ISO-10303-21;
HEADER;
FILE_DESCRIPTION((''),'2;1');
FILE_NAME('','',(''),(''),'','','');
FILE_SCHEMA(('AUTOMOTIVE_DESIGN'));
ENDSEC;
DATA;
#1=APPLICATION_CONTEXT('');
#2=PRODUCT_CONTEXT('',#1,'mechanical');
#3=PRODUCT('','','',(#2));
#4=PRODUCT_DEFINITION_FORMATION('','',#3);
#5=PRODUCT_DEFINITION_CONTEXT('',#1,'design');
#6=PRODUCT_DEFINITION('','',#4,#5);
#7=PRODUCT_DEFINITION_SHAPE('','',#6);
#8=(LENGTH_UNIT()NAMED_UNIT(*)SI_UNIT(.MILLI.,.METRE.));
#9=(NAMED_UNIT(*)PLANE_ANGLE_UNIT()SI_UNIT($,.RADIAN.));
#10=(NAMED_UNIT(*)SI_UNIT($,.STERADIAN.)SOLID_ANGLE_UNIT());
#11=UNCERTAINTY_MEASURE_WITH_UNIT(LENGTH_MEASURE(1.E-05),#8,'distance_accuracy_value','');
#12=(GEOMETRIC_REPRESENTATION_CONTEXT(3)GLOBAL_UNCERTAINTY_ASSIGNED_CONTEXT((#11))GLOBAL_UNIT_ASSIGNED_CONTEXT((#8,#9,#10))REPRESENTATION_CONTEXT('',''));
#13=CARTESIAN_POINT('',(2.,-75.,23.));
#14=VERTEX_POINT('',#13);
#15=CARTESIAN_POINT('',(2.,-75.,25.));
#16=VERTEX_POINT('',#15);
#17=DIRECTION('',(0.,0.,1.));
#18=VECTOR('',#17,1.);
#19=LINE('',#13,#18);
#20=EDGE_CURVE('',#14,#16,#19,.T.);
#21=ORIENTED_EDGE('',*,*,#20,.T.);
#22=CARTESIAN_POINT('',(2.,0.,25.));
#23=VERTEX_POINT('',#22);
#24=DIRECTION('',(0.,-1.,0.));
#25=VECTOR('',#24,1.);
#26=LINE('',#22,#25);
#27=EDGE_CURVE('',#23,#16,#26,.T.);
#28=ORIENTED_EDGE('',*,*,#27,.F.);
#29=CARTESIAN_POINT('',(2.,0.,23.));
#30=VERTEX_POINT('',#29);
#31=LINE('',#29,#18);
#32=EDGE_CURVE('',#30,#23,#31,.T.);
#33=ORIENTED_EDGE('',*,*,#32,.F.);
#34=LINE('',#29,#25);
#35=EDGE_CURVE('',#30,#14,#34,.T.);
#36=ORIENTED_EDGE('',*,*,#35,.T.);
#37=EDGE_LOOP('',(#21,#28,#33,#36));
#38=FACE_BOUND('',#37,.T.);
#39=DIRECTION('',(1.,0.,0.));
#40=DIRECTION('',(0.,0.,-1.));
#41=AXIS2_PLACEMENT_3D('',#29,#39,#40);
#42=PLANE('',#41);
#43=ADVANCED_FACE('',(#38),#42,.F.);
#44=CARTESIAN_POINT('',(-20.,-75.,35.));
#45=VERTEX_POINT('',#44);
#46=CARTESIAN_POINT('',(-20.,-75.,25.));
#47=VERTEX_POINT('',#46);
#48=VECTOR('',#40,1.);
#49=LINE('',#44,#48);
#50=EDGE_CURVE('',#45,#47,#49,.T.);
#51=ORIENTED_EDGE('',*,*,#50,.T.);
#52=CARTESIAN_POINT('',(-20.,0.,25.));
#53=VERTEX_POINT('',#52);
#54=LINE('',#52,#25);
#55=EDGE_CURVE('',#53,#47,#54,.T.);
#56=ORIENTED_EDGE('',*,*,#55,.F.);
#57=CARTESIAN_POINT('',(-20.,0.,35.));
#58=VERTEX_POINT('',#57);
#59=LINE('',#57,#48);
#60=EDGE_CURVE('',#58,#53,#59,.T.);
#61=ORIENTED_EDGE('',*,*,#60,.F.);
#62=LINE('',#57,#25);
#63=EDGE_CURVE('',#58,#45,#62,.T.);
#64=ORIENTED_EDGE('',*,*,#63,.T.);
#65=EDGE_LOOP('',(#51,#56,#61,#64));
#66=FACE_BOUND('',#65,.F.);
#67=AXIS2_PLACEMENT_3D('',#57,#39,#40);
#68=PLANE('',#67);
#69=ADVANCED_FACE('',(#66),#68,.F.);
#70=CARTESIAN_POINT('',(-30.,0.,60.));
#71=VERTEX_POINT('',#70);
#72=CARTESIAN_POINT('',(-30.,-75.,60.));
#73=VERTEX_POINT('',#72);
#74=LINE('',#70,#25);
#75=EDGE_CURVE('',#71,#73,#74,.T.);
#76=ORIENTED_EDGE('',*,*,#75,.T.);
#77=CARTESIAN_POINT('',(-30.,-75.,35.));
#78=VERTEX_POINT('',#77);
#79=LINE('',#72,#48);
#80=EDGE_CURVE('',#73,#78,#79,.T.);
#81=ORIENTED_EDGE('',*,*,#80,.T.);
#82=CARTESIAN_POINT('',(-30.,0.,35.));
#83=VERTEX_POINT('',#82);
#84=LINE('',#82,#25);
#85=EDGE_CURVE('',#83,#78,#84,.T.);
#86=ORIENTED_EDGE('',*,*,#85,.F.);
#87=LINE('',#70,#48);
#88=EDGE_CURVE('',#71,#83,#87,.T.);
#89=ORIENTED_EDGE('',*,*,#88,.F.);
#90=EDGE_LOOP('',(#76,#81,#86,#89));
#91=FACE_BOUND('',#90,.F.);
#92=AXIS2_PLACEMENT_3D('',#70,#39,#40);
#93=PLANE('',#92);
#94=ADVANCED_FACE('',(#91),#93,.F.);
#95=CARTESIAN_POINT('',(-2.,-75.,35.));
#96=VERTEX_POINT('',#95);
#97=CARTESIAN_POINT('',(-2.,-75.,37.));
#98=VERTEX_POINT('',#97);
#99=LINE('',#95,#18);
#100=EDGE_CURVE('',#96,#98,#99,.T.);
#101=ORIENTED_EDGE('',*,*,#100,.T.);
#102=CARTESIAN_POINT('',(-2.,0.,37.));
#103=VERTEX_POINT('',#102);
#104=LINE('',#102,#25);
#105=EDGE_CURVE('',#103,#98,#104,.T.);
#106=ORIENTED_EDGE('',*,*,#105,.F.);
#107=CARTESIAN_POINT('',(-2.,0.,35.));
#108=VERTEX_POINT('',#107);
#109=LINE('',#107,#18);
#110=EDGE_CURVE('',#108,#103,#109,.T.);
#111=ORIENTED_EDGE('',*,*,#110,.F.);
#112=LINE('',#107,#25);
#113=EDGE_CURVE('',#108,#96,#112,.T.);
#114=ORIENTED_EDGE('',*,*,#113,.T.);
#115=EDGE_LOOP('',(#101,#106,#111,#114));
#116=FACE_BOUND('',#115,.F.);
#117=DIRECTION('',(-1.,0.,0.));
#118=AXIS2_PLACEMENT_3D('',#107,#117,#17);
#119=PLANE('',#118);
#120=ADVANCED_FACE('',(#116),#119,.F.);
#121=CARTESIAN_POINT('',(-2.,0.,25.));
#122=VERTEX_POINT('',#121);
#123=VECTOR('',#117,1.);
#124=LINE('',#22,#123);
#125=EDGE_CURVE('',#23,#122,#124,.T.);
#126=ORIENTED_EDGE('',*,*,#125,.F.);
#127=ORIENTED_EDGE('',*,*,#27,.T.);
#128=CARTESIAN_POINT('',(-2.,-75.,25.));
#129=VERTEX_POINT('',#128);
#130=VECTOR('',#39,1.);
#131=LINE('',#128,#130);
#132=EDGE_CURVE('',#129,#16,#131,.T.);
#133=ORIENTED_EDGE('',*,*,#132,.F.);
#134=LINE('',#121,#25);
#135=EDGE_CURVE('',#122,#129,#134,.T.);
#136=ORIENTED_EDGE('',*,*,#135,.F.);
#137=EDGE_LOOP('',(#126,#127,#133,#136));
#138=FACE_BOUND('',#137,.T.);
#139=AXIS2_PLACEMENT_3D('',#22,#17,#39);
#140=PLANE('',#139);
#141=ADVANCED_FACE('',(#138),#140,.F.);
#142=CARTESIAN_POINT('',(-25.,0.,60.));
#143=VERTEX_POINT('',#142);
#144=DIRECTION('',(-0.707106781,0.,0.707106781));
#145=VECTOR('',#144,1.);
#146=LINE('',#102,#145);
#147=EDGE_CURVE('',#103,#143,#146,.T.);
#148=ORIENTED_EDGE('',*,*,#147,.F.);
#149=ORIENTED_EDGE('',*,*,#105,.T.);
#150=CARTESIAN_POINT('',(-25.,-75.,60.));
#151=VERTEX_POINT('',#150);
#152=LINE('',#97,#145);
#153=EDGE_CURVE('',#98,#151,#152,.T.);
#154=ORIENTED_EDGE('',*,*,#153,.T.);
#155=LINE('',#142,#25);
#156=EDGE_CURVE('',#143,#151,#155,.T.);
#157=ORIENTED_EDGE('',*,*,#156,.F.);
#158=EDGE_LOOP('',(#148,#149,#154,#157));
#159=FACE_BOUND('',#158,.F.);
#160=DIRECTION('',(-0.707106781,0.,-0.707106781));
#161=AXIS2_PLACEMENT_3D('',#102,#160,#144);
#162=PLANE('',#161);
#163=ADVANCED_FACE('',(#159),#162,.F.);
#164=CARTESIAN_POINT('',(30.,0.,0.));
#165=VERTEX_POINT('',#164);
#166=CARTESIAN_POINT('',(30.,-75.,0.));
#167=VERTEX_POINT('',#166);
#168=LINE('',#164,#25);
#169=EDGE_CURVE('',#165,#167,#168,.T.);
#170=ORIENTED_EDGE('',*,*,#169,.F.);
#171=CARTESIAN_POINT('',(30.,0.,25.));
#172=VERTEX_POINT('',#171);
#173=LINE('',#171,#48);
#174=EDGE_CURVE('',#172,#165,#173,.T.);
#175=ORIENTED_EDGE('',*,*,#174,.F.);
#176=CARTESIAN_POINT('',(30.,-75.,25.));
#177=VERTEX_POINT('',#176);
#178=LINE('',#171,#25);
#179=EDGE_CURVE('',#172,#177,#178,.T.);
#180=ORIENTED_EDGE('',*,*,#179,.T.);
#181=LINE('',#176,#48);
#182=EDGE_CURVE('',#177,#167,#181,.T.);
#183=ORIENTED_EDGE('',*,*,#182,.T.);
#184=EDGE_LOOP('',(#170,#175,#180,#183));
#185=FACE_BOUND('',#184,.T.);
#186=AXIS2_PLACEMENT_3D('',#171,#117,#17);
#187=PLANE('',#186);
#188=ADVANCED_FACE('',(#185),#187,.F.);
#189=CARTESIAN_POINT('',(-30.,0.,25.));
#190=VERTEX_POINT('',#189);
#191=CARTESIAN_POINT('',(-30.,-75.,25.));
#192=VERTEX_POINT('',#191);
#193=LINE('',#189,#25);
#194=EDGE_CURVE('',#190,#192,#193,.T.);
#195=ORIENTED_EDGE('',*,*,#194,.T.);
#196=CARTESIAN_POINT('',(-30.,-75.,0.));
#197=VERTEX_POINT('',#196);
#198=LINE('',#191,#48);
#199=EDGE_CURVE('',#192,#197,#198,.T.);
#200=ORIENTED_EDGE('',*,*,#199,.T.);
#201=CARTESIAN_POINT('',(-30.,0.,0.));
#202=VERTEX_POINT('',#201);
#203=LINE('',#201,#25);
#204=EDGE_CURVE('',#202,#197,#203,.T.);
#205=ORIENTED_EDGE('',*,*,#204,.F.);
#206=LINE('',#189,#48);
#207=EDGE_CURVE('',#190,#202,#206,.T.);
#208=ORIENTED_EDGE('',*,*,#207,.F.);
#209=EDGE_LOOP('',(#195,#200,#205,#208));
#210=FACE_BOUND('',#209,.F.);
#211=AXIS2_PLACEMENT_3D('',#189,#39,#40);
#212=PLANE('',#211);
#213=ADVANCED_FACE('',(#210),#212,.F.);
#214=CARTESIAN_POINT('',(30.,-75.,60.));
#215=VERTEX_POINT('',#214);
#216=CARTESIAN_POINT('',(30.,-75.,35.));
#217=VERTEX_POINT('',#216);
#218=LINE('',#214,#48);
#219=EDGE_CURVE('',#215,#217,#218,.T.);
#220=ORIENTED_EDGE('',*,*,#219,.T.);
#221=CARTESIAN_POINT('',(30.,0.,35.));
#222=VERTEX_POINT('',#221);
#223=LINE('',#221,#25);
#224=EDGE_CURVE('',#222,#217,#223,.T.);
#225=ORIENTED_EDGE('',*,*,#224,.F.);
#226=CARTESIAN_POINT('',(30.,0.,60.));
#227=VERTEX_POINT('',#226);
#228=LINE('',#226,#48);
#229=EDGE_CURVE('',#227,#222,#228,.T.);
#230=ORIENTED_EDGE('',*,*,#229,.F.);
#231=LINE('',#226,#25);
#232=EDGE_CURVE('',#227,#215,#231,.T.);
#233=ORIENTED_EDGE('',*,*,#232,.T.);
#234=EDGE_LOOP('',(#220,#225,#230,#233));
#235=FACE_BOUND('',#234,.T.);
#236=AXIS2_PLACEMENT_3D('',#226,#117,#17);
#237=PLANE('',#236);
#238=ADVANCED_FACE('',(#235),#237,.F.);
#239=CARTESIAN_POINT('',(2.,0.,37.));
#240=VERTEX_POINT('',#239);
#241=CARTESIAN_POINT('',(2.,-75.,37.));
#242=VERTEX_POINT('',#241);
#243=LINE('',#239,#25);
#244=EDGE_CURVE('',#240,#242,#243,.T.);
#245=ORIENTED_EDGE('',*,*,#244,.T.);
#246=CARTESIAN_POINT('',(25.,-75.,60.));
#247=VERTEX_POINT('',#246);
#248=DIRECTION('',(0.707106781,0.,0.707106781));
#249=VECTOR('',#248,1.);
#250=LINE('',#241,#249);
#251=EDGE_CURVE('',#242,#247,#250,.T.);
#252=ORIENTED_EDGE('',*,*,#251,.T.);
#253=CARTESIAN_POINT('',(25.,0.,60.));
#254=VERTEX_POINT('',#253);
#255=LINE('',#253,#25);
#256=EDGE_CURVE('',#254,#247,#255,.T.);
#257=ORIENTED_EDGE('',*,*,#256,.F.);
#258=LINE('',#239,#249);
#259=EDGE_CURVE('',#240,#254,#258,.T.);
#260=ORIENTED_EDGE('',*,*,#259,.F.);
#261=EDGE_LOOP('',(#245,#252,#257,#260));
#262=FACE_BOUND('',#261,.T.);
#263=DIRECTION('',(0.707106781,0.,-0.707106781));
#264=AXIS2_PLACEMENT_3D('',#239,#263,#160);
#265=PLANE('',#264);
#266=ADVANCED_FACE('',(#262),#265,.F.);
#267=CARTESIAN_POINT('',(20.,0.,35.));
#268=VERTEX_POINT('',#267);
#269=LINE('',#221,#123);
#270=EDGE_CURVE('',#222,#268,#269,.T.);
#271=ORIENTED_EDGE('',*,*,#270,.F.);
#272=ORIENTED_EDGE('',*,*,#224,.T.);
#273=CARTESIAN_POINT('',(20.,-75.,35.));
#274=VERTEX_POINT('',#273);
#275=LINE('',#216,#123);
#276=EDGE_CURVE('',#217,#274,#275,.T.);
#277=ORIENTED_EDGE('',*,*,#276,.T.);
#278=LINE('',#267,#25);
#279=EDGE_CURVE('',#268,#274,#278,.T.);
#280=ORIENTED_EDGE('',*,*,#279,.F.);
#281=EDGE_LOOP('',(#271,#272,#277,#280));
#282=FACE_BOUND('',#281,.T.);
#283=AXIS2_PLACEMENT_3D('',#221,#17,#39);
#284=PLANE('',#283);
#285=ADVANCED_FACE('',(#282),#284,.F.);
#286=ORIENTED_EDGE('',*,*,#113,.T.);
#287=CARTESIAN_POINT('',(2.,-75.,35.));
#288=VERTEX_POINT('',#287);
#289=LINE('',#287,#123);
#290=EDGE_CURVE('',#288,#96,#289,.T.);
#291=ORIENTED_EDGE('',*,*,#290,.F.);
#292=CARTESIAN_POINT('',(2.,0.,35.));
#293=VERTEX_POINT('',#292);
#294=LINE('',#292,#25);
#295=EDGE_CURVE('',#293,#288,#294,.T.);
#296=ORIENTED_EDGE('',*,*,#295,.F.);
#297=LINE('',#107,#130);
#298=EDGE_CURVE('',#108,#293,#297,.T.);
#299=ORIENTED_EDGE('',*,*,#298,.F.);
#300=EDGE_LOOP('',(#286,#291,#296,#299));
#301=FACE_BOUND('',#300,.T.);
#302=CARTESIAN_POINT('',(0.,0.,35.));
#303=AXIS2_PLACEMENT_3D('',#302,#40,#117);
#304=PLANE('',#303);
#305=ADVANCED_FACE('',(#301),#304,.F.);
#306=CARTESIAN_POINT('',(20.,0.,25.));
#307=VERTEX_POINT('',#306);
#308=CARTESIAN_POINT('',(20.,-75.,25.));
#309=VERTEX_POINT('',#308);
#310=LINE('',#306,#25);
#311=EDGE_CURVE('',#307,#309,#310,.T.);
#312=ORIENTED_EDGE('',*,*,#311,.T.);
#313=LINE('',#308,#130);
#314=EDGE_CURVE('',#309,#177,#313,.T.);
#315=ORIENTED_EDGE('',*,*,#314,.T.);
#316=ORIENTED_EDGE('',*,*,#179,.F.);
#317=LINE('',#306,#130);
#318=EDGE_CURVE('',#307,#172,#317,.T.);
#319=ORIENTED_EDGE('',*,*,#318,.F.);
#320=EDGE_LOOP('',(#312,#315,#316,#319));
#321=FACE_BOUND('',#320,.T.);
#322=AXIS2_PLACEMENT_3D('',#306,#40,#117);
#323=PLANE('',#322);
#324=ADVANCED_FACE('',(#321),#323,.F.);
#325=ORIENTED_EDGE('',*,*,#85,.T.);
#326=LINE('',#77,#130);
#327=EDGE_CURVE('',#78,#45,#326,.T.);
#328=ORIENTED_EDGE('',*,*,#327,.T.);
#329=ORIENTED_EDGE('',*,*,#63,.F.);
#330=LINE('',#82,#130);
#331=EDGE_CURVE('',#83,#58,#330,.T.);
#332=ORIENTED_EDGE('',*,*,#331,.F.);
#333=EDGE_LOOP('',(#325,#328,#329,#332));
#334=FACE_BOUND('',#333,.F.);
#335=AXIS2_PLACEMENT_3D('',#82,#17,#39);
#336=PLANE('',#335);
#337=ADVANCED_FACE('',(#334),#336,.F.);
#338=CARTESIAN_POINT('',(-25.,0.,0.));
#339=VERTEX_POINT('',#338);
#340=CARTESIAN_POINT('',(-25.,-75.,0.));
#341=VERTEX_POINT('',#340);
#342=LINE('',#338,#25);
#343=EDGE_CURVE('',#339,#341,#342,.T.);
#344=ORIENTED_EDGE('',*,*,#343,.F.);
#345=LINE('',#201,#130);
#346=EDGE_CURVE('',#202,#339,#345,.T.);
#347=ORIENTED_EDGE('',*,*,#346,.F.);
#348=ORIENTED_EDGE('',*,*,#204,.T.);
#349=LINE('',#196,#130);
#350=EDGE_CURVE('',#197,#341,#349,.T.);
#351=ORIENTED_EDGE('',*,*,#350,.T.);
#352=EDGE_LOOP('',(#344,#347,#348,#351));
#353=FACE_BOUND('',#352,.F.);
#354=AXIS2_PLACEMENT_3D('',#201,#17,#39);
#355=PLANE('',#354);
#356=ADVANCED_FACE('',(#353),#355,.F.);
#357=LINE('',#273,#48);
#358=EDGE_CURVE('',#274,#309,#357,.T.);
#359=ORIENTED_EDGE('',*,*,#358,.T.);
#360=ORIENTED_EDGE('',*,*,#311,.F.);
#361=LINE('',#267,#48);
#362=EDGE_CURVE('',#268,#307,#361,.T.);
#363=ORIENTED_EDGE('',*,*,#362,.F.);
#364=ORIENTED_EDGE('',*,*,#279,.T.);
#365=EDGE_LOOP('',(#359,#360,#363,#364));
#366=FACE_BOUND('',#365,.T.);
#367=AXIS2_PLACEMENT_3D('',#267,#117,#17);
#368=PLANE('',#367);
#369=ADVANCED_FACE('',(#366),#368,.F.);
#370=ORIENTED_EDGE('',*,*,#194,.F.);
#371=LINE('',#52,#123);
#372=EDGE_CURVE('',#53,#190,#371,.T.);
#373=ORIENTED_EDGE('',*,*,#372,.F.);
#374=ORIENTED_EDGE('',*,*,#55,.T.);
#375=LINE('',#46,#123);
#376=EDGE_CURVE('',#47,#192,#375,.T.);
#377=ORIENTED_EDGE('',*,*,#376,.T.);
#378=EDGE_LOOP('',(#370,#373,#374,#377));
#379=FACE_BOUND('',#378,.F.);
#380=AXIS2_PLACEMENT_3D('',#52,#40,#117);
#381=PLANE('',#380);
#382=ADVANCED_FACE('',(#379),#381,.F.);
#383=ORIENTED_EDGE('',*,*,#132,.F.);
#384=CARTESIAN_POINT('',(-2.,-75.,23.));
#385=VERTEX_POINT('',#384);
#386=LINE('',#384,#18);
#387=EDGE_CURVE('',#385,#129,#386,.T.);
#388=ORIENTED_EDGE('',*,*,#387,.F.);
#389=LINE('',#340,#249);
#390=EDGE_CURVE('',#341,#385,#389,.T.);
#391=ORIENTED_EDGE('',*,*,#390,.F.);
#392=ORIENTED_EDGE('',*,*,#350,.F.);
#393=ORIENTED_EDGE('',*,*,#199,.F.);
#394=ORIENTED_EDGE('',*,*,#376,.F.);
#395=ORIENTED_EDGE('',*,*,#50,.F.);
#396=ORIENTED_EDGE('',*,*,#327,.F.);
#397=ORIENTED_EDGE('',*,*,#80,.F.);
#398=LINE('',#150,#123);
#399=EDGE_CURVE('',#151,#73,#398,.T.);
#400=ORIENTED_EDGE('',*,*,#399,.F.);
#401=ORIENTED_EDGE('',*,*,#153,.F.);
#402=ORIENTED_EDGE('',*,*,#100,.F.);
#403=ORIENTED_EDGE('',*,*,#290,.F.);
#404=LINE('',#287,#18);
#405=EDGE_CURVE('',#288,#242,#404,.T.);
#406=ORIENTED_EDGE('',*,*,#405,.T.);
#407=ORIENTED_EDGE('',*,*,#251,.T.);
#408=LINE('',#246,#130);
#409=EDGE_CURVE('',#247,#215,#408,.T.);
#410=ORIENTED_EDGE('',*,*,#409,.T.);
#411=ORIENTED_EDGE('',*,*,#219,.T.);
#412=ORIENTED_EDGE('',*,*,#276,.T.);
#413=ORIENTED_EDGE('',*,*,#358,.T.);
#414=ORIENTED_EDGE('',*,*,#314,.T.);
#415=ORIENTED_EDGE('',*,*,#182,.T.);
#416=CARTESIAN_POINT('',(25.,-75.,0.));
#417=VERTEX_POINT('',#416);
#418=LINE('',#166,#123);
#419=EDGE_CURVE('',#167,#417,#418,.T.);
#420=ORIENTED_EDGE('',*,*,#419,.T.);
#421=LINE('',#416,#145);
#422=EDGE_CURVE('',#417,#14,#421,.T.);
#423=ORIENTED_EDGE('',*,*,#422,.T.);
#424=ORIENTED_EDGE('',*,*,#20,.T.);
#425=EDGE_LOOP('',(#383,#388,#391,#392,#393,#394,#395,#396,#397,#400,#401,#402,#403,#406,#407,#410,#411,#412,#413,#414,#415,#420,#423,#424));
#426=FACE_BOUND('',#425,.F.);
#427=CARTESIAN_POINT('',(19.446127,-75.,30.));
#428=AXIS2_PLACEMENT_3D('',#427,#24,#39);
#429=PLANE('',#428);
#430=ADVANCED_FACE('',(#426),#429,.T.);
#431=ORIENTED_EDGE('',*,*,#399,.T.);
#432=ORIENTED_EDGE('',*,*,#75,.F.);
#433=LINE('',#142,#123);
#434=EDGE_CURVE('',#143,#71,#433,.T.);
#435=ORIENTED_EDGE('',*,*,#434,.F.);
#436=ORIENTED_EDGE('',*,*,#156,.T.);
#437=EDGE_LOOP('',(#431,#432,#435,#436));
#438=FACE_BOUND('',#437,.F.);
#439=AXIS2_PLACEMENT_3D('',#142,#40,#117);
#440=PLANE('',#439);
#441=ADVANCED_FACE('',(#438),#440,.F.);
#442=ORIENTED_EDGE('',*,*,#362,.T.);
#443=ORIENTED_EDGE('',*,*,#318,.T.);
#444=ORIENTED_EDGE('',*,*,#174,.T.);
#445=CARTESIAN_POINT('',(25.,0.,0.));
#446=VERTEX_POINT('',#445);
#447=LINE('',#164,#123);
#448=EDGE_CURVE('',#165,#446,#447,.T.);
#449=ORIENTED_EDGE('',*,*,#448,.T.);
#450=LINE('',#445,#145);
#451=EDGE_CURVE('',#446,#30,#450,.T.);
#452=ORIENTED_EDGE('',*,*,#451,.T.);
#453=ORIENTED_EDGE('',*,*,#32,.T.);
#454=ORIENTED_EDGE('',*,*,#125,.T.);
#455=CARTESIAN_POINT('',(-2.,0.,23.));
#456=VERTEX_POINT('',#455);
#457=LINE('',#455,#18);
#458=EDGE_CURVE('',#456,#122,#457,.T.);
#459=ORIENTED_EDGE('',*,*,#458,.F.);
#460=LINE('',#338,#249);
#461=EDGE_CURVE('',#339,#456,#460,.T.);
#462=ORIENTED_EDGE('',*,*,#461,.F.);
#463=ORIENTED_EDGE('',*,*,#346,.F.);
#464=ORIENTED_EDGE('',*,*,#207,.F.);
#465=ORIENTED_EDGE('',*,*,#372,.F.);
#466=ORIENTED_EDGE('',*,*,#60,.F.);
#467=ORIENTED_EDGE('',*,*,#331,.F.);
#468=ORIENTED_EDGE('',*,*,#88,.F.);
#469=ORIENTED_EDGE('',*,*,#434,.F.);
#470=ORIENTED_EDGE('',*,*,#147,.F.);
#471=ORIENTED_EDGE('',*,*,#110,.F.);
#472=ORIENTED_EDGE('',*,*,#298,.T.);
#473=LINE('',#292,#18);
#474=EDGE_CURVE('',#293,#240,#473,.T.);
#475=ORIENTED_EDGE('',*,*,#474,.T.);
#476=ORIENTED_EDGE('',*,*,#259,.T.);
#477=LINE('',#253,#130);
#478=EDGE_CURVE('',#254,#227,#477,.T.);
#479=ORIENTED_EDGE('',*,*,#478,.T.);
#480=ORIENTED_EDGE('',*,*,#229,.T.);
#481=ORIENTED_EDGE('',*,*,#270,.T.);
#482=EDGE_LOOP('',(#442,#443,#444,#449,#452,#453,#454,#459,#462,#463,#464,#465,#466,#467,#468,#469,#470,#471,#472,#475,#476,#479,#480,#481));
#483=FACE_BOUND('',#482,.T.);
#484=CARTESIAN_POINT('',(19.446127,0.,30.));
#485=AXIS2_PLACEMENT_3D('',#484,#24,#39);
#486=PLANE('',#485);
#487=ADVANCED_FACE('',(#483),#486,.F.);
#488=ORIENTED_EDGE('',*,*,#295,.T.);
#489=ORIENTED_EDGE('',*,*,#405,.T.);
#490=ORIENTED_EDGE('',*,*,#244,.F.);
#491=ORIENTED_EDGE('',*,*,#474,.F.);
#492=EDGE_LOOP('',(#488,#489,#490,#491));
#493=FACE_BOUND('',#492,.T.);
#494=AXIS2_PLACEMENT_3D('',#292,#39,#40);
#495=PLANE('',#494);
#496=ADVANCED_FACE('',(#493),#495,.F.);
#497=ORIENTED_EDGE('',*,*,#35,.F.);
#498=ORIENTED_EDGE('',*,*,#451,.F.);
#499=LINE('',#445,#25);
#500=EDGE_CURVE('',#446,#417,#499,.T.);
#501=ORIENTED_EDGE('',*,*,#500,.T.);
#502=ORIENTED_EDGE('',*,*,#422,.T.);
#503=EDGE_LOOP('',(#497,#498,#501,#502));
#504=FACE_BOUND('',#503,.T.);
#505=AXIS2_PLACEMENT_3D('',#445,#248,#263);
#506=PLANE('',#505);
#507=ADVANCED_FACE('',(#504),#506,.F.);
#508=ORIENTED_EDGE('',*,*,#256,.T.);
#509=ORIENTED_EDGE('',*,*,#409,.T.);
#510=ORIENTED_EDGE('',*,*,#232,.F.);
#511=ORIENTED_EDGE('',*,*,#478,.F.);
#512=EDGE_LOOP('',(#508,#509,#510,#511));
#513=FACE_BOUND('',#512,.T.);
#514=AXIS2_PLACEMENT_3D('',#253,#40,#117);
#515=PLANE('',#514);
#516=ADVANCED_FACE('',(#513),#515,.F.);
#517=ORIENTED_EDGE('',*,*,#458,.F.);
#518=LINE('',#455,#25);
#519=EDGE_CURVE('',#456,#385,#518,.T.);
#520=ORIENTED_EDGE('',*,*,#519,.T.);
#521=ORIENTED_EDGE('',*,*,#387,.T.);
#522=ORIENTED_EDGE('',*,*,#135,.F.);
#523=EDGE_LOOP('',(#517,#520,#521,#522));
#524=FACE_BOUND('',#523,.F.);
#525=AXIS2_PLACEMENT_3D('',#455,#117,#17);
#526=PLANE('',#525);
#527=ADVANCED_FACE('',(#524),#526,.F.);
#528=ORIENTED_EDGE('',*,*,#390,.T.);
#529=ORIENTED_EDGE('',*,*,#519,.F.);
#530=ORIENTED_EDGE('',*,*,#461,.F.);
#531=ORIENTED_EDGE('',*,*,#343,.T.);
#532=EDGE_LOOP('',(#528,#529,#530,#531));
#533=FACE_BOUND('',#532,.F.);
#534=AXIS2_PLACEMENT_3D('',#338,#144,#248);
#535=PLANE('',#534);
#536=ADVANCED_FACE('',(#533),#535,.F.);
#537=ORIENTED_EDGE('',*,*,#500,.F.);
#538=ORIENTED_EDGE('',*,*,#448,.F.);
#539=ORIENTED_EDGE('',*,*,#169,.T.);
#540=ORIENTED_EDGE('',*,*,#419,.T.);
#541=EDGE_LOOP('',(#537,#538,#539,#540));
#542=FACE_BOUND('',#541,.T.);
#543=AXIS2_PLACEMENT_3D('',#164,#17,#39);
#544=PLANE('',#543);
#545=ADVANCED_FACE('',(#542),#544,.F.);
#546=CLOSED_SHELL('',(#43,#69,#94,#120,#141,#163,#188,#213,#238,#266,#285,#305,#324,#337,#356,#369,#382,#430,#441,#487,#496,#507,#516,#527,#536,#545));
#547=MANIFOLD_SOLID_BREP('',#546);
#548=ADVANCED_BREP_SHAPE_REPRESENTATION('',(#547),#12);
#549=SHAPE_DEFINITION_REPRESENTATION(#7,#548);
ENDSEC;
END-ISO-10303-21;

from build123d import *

# Parameters (mm, degrees)
F1_DEPTH = 75


with BuildPart() as f1:
    # F0 (on Front) → F1 (new body)
    with BuildSketch(Plane.XZ):
        Polygon((-30, 0), (-25, 0), (-2, 23), (-2, 25), (0, 25), (0, 35), (-2, 35), (-2, 37), (-25, 60), (-30, 60), (-30, 35), (-20, 35), (-20, 25), (-30, 25), align=None)
    extrude(amount=F1_DEPTH)

    # F2: F1 across face


with BuildPart() as f1_1:
    add(f1.part)
    add(f1.part.mirror(Plane(origin=(0, -37.5, 30), x_dir=(0, 1, 0), z_dir=(1, 0, 0))))


solid = f1_1.part
